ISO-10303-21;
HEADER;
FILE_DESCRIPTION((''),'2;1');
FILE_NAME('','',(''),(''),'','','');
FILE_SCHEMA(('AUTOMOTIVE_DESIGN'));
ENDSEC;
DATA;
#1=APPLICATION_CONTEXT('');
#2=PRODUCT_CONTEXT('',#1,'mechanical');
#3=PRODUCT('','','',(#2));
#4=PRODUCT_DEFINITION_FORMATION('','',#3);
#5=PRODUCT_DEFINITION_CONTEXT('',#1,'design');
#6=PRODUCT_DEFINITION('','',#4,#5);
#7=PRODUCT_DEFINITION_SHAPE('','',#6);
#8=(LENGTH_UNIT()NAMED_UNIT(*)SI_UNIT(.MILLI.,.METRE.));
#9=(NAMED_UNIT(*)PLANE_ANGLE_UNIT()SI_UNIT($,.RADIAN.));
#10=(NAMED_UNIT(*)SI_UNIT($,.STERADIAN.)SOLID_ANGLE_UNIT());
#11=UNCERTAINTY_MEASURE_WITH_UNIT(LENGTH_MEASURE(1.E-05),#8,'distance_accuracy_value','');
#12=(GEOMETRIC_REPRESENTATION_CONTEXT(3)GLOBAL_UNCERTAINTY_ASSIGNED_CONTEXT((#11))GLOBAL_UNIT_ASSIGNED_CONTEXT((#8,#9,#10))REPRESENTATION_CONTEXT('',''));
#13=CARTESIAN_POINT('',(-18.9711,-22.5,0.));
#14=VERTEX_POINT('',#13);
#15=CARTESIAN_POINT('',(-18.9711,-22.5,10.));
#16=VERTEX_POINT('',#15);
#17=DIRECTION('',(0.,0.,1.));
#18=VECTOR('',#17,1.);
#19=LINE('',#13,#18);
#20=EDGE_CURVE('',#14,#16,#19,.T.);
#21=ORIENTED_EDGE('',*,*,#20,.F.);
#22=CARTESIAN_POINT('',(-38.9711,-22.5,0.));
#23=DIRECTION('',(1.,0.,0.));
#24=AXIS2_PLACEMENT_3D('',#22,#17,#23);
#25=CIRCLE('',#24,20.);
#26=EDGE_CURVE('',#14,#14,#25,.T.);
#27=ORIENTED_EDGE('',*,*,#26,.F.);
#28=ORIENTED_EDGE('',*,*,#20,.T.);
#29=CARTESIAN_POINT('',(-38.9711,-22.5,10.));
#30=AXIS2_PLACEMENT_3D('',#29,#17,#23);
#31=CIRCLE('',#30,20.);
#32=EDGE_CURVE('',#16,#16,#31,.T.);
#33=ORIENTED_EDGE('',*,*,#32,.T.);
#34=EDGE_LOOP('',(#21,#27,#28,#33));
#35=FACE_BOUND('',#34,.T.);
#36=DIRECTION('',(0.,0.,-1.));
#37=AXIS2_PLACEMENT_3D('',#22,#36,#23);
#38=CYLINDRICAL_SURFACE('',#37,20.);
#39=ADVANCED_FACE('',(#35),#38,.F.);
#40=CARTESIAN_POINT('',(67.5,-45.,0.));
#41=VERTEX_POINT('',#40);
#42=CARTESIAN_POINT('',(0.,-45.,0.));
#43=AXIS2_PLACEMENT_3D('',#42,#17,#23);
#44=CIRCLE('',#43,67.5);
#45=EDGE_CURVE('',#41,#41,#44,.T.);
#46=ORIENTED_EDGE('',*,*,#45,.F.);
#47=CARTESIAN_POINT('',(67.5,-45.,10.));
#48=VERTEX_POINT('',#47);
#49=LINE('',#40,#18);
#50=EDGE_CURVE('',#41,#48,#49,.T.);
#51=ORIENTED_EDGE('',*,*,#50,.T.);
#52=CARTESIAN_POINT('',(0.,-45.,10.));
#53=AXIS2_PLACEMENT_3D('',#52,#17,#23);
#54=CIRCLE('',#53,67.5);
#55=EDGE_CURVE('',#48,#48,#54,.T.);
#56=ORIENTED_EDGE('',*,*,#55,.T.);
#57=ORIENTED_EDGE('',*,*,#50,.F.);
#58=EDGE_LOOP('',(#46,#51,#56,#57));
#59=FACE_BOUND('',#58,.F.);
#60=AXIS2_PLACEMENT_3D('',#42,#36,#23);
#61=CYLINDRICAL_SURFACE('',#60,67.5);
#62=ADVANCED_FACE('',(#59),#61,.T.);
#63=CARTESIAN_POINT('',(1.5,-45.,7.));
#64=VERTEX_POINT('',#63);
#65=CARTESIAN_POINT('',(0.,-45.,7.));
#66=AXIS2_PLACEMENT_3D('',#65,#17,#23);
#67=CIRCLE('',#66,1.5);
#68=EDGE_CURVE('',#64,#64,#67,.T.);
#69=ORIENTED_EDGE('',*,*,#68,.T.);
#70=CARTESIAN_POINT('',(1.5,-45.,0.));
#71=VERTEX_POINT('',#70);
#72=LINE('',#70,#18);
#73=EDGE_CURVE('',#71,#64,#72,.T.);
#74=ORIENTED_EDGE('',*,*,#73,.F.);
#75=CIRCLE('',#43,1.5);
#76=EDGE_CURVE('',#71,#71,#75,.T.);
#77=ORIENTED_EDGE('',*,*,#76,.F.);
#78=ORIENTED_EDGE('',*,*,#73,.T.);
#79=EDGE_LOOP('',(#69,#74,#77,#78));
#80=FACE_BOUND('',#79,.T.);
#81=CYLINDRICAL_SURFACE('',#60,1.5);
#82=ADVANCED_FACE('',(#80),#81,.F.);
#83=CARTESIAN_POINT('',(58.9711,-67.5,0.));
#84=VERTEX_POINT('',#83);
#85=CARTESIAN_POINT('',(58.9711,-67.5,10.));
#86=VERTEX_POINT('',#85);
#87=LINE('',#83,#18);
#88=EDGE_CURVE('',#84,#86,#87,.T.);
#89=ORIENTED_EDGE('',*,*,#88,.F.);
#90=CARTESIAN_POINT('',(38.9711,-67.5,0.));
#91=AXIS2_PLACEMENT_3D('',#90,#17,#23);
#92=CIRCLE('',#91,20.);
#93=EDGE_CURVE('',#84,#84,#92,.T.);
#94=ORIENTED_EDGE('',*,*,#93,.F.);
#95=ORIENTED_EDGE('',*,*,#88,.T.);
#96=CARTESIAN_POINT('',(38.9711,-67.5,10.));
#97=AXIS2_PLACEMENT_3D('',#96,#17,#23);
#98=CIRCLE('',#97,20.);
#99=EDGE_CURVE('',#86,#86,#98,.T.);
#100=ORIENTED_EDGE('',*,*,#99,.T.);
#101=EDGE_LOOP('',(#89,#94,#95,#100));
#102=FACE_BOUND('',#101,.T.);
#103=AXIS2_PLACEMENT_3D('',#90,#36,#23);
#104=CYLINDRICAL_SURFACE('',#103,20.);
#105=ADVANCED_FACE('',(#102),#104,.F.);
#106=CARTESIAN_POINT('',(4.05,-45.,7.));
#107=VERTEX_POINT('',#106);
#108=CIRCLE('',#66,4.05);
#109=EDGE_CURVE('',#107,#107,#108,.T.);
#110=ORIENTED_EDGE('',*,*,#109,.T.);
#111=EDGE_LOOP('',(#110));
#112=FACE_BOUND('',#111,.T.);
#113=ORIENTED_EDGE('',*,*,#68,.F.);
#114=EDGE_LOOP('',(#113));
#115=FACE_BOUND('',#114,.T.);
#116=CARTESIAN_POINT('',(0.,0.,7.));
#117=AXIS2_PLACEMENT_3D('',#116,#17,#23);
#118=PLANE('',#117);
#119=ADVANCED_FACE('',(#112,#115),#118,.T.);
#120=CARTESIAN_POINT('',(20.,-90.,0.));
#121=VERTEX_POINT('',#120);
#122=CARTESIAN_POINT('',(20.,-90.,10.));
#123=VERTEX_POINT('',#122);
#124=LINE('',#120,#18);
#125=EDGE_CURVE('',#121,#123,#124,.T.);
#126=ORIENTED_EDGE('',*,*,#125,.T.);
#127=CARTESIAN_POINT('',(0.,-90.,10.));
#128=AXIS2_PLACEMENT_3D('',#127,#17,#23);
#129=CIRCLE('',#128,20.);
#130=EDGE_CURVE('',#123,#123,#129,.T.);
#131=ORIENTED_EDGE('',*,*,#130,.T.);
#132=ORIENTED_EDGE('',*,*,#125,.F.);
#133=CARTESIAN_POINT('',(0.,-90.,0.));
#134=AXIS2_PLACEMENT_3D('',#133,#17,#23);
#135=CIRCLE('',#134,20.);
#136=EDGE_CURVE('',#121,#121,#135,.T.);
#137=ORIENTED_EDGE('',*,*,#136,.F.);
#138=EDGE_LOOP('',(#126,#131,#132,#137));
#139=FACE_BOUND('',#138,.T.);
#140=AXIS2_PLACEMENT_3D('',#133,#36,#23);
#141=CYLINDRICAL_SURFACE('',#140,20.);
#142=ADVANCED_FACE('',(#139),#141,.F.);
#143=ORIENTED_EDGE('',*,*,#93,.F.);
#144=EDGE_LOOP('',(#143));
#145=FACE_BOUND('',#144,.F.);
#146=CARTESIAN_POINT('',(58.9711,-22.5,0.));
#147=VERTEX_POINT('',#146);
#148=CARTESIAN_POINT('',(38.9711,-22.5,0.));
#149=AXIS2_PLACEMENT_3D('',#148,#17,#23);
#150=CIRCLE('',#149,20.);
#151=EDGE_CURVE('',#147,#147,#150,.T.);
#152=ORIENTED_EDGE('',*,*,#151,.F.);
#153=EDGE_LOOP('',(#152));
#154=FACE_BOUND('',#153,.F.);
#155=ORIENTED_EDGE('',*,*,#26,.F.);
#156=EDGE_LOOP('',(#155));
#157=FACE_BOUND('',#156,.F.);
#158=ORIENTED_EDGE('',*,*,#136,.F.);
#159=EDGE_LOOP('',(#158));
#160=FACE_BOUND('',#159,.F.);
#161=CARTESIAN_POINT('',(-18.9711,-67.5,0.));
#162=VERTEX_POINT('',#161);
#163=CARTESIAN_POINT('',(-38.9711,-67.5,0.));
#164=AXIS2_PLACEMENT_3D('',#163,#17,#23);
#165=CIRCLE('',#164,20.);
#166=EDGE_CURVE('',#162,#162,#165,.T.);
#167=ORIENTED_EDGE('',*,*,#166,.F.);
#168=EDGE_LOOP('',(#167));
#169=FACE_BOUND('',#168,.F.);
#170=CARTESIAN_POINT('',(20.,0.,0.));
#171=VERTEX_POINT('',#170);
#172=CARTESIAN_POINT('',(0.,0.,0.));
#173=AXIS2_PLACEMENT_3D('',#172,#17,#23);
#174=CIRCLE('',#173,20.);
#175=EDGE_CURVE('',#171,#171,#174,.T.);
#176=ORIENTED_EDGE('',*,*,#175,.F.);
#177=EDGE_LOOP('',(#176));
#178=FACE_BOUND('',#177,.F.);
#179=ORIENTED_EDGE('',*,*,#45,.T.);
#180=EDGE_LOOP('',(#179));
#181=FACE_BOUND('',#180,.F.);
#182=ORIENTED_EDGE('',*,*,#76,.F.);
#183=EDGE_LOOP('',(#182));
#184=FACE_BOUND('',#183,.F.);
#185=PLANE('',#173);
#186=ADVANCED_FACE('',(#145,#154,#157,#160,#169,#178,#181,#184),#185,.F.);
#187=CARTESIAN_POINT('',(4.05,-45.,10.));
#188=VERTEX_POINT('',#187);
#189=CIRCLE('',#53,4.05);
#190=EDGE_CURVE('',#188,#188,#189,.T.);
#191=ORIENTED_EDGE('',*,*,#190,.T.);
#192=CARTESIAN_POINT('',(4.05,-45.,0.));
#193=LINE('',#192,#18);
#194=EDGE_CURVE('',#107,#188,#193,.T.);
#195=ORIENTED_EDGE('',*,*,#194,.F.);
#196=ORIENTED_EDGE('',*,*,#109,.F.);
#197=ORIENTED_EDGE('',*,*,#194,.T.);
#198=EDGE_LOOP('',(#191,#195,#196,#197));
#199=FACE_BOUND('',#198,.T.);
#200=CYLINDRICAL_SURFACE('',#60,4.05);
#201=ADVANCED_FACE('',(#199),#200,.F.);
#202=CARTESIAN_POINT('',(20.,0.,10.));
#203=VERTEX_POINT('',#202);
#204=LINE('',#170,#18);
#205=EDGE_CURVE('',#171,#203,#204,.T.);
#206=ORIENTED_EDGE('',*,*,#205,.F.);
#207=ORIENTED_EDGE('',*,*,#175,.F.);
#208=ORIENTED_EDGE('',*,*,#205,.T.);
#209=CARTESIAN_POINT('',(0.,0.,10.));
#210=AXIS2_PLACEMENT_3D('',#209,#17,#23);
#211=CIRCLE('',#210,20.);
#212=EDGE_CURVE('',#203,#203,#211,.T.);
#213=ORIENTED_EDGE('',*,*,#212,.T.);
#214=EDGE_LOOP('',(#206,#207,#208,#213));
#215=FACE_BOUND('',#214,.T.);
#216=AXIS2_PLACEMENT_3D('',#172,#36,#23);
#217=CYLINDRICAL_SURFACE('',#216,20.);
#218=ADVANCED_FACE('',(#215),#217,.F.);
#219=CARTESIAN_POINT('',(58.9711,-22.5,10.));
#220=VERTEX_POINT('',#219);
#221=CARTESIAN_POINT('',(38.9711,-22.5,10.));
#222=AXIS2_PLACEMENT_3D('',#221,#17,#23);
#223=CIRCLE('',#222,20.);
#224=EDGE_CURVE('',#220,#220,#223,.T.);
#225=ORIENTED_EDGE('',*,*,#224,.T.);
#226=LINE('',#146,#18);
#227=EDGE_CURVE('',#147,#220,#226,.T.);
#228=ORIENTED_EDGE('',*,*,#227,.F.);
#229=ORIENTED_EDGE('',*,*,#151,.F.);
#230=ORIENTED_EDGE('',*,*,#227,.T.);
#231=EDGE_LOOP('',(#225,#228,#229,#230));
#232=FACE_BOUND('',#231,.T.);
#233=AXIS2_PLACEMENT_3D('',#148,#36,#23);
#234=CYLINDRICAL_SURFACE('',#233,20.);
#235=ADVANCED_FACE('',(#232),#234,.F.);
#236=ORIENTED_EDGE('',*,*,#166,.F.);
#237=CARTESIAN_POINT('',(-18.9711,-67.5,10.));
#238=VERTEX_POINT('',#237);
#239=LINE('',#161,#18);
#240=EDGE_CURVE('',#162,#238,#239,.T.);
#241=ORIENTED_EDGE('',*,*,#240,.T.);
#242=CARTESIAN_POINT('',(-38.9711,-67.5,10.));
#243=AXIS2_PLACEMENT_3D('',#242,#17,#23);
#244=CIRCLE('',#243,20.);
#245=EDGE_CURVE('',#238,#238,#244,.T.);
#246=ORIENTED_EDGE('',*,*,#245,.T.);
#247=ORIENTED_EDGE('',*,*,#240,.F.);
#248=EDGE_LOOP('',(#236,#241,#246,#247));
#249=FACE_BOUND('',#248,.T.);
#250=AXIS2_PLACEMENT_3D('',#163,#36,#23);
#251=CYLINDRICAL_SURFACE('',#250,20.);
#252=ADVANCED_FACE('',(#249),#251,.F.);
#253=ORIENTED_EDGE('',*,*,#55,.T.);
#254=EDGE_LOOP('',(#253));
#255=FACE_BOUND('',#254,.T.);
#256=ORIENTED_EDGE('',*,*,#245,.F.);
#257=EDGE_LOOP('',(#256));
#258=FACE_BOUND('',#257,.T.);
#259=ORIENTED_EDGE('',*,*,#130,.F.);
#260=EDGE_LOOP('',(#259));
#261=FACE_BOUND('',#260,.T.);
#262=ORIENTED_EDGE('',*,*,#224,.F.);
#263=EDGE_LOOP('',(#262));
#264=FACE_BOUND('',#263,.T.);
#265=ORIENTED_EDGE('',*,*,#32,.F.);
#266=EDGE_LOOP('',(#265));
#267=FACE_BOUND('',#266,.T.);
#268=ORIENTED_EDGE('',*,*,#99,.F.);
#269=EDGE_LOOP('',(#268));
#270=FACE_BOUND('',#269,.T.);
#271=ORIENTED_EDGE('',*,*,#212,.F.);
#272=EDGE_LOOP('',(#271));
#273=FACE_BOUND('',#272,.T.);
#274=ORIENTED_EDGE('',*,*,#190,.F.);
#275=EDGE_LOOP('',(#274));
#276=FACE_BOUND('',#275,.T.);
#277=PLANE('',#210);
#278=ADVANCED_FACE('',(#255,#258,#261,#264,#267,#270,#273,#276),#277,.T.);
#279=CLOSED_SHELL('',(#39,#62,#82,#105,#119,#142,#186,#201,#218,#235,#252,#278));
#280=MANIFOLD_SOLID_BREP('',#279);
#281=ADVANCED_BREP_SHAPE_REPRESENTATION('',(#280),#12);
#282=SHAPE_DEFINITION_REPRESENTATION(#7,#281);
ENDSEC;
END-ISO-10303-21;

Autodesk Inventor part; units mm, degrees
ref_plane "YZ Plane" through (0, 0, 0) normal (1, 0, 0) x (0, 1, 0)
ref_plane "XZ Plane" through (0, 0, 0) normal (0, 1, 0) x (-1, 0, 0)
ref_plane "XY Plane" through (0, 0, 0) normal (0, 0, 1) x (1, 0, 0)
sketch "Sketch1" plane through (0, 0, 0) normal (0, 0, 1) x (1, 0, 0)
  circle A0 centre (0, 0) radius 28 construction
  line L0 (75, -135) -> (-75, -135) construction
  line L1 (-75, -135) -> (-75, 65) construction
  line L2 (-75, 65) -> (75, 65) construction
  line L3 (75, 65) -> (75, -135) construction
  line L4 (75, -135) -> (-75, 65) construction
  line L5 (-75, -135) -> (75, 65) construction
  circle A1 centre (0, 0) radius 20
  circle A2 centre (-38.9711, -22.5) radius 20
  circle A3 centre (-38.9711, -67.5) radius 20
  circle A4 centre (0, -90) radius 20
  circle A5 centre (38.9711, -67.5) radius 20
  circle A6 centre (38.9711, -22.5) radius 20
  circle A7 centre (0, -45) radius 67.5
  circle A8 centre (0, -45) radius 1.5
  circle A9 centre (0, -45) radius 4.05
  point P0 (0, -35)
  dimension "d0" = 56
  dimension "d1" = 150
  dimension "d2" = 200
  dimension "d3" = 135
  dimension "d4" = 40
  dimension "d7" = 360
  dimension "d9" = 45
  dimension "d10" = 135
  dimension "d11" = 3
  dimension "d12" = 8.1
extrude "Extrusion1" add sketch "Sketch1" along normal blind 10 contours A7
extrude "Extrusion2" add sketch "Sketch1" along normal blind 7 contours A9
properties part number "FilterWheel-M40-6pos"
